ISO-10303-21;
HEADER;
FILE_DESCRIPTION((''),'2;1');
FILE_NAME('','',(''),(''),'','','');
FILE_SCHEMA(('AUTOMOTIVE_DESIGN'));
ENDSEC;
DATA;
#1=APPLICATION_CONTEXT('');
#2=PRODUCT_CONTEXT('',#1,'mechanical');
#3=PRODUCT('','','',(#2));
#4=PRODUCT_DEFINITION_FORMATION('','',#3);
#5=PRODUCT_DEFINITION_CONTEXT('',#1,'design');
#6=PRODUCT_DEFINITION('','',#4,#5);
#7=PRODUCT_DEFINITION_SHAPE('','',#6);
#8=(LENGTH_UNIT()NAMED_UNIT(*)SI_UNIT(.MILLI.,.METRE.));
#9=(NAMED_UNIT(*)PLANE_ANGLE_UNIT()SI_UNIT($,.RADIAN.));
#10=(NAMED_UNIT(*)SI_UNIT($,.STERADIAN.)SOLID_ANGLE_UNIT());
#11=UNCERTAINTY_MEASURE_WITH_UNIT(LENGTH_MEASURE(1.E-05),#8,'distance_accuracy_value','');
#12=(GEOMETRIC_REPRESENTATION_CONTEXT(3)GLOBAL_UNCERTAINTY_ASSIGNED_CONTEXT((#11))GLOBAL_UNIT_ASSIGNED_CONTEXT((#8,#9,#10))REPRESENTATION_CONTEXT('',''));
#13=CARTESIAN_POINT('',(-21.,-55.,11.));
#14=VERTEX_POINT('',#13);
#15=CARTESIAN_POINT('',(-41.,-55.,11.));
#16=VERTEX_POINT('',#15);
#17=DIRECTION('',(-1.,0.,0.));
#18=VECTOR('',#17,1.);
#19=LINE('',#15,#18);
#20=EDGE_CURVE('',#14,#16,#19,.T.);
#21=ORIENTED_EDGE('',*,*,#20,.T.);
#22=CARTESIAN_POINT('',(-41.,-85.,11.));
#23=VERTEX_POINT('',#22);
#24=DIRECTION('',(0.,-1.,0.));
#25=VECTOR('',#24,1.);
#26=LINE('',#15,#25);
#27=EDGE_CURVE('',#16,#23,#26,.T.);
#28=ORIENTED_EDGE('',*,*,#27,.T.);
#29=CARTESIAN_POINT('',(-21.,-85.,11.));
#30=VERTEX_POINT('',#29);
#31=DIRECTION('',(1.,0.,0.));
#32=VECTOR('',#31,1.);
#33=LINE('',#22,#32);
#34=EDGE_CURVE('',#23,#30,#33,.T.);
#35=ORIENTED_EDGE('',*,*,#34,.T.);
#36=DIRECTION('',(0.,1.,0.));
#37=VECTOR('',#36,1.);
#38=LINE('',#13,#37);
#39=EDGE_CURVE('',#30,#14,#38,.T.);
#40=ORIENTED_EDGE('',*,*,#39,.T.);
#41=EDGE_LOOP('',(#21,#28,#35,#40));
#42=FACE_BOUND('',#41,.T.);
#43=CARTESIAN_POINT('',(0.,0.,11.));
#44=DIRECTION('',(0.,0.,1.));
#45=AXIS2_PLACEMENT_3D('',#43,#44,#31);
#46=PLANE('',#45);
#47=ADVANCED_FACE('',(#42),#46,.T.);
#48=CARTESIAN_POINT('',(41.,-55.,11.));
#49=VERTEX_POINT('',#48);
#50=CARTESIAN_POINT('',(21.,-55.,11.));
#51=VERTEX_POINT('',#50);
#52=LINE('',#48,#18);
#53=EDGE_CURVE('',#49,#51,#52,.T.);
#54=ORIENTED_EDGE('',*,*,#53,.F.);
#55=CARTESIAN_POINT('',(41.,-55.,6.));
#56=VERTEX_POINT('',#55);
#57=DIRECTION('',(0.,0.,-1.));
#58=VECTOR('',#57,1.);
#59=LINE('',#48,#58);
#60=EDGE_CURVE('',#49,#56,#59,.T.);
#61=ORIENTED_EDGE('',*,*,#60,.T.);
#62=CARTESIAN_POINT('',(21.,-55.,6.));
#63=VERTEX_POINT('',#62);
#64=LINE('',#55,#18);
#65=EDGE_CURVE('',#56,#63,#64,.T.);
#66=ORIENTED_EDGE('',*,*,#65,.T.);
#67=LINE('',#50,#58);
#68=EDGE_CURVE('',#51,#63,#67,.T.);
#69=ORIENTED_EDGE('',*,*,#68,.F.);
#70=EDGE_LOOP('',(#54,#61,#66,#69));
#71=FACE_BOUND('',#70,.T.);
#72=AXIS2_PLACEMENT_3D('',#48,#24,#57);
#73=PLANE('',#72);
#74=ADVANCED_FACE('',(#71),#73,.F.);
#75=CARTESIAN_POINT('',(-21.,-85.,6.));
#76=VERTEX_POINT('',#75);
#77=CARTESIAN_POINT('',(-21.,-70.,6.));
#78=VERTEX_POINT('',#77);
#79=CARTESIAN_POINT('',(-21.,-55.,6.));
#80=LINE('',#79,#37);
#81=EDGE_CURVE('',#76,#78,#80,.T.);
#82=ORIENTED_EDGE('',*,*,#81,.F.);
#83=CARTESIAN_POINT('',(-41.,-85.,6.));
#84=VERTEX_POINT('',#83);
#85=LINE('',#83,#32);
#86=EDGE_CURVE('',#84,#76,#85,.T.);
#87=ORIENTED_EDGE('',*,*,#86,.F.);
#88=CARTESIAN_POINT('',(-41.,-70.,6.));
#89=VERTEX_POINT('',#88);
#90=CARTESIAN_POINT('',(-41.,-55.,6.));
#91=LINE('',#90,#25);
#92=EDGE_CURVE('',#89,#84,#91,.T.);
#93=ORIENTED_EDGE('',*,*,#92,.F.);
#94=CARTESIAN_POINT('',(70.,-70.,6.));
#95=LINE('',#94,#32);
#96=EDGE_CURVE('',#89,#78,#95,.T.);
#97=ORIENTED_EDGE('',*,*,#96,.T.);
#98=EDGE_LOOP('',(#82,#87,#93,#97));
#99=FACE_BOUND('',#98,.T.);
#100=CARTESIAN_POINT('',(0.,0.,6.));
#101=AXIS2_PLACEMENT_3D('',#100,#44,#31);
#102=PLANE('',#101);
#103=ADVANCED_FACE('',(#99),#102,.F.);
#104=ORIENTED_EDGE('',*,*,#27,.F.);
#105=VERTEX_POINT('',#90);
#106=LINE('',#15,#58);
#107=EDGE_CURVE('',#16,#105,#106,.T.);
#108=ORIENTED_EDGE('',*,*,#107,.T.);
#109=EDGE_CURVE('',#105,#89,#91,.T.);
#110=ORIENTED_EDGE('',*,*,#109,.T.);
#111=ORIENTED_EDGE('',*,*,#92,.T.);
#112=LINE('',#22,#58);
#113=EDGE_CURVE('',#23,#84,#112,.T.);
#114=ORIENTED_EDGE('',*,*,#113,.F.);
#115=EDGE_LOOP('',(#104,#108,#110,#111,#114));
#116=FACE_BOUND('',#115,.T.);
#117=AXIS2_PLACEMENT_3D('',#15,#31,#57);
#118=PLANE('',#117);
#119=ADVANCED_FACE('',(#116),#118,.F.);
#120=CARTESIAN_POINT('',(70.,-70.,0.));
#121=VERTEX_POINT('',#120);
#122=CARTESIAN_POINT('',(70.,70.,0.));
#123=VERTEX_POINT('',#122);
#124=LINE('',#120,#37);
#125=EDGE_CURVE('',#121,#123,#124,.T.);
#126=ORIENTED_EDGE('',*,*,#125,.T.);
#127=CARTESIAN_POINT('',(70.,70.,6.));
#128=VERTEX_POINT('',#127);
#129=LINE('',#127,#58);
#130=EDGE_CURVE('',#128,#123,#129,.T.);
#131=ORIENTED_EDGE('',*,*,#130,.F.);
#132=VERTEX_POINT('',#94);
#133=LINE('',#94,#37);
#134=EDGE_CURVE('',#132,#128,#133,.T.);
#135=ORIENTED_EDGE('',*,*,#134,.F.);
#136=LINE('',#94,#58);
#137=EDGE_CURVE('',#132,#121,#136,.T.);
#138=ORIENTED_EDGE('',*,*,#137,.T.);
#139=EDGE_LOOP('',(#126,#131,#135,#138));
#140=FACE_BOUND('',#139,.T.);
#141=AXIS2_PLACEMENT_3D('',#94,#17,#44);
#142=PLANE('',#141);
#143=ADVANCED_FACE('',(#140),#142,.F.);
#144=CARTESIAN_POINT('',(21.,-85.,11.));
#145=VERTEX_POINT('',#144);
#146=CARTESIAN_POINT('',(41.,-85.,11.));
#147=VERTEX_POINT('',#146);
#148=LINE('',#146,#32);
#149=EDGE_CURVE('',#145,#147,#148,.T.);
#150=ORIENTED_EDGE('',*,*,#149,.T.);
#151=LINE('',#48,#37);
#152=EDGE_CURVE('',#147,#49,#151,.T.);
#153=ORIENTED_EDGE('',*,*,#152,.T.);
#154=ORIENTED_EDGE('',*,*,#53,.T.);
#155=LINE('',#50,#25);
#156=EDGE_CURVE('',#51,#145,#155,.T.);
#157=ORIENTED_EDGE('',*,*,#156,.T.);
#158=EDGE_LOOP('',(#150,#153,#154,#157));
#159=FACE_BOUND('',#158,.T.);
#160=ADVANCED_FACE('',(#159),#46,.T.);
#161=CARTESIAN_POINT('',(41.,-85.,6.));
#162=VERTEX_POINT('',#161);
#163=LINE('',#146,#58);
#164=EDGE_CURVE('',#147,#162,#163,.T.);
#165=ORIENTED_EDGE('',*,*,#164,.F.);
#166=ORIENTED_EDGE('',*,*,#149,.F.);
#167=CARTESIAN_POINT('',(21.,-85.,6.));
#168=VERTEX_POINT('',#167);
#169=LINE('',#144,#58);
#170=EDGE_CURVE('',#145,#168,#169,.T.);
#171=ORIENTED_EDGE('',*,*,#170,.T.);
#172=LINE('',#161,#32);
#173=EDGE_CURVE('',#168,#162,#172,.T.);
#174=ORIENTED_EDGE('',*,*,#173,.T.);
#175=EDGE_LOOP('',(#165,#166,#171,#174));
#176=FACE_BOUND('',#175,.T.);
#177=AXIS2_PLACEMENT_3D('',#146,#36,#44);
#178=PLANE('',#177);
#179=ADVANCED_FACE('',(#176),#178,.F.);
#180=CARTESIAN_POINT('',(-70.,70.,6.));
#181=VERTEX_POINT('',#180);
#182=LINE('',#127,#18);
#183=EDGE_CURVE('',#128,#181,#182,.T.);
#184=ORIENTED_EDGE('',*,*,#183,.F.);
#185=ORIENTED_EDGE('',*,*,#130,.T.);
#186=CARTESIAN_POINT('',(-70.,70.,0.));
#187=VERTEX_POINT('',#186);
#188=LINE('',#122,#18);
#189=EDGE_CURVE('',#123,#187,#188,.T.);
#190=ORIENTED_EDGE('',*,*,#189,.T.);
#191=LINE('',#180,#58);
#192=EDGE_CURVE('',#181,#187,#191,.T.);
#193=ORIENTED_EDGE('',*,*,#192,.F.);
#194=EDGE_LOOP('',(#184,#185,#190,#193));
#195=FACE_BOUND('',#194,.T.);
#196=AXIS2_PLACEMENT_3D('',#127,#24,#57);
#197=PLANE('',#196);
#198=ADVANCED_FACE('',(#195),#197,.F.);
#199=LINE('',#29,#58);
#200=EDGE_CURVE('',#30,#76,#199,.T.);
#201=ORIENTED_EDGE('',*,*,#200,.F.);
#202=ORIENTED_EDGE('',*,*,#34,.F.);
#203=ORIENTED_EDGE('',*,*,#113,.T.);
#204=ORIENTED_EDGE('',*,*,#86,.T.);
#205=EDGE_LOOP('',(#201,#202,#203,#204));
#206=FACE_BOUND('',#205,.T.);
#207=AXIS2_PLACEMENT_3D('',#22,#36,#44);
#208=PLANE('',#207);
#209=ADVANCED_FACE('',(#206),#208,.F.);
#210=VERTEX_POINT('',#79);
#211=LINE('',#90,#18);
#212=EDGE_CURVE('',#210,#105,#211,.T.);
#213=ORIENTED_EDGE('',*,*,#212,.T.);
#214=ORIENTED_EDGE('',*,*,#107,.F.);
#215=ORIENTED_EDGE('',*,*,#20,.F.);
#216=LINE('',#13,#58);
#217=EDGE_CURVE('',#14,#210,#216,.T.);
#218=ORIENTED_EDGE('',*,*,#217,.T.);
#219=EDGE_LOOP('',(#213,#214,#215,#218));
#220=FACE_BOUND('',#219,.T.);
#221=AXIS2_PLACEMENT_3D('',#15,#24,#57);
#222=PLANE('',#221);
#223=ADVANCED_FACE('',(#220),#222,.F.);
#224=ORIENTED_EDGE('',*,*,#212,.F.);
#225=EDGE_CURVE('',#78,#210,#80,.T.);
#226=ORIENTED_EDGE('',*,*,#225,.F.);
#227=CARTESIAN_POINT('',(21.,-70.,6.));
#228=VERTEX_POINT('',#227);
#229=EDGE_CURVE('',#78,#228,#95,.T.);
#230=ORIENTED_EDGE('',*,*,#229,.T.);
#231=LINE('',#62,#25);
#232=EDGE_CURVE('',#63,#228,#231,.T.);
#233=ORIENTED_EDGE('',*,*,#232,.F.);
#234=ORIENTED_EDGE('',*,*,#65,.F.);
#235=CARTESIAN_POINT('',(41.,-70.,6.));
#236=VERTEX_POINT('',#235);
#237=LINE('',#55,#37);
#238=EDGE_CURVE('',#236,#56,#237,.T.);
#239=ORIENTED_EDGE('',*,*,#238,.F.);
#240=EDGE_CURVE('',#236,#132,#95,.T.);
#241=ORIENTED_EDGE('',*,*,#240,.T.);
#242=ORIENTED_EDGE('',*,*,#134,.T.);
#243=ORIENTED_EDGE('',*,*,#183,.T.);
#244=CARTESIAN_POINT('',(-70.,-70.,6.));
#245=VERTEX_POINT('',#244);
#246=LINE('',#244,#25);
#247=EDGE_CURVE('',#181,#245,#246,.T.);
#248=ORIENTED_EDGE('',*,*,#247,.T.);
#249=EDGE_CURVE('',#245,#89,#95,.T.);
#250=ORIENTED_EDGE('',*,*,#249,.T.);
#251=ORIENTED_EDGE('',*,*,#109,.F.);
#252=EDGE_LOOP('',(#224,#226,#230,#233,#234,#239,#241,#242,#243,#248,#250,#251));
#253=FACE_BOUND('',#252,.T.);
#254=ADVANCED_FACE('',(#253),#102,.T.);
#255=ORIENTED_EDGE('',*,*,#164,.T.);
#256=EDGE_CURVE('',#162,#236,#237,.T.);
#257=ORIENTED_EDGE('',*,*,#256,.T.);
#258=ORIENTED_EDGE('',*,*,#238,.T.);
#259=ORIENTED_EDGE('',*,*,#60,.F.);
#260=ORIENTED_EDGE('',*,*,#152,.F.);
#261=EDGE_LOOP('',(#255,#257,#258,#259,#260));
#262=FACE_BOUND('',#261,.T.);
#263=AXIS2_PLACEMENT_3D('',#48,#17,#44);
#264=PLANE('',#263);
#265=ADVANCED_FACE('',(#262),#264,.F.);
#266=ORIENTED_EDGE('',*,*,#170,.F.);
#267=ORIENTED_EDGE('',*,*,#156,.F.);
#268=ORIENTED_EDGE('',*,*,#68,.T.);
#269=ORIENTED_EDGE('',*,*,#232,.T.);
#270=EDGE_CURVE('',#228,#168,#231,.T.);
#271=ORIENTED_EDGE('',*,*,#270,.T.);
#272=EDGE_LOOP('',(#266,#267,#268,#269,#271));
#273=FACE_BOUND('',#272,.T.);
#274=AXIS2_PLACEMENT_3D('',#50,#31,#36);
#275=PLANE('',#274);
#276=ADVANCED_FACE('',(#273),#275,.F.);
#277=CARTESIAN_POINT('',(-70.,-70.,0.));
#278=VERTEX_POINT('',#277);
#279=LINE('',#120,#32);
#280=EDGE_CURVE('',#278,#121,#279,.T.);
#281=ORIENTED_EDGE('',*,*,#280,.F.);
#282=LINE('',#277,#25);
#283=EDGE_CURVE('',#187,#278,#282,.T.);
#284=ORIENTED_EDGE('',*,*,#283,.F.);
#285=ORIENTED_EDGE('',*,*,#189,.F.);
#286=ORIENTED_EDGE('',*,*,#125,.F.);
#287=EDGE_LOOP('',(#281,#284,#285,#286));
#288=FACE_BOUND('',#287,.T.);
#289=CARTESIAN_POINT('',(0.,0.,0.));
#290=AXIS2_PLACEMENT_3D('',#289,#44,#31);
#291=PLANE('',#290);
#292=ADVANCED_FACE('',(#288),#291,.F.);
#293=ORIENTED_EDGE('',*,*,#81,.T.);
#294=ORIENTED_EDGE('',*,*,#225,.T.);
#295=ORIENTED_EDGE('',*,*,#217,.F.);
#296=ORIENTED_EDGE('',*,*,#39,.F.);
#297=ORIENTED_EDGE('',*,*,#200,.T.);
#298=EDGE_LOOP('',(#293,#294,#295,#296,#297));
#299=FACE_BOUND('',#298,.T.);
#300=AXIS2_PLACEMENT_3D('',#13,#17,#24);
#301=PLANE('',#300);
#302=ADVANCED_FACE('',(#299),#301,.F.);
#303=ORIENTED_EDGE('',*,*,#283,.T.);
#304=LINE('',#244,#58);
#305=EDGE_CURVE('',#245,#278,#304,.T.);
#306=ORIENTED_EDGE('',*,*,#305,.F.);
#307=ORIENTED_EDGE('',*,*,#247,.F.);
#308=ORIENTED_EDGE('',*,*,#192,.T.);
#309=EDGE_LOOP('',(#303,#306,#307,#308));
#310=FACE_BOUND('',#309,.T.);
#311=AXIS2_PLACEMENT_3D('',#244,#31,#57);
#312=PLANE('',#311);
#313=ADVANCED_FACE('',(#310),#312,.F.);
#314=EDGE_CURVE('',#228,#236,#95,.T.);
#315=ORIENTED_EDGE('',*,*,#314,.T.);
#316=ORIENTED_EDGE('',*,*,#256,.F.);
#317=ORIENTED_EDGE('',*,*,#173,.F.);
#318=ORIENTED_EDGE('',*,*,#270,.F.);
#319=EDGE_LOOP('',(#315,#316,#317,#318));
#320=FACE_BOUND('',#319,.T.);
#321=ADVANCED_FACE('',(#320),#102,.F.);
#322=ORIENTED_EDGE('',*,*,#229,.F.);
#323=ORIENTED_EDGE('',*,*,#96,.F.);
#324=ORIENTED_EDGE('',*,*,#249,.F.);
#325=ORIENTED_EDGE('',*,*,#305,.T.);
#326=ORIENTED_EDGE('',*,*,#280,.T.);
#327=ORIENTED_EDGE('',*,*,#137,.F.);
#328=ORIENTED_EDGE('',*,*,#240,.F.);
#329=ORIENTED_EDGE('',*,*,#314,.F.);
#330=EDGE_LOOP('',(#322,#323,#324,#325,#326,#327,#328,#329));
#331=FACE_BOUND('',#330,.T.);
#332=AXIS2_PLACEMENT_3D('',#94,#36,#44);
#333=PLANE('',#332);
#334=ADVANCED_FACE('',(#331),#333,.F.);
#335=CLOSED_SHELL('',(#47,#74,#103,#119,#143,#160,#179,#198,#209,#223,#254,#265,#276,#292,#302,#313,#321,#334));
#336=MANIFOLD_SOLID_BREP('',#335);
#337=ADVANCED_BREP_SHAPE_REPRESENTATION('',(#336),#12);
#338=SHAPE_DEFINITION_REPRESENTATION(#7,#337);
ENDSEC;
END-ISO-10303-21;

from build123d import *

# Parameters (mm, degrees)
SKETCH1_W           = 140
SKETCH1_H           = 140
BOSS_EXTRUDE1_DEPTH = 6
SKETCH2_W           = 20
SKETCH2_H           = 30
BOSS_EXTRUDE2_DEPTH = 5


with BuildPart() as part:
    # Sketch1 → Boss-Extrude1 (new body)
    with BuildSketch(Plane.XY):
        Rectangle(SKETCH1_W, SKETCH1_H)
    extrude(amount=BOSS_EXTRUDE1_DEPTH)

    # Sketch2 → Boss-Extrude2 (add)
    with BuildSketch(Plane.XY.offset(6)):
        with Locations((-31, -70)):
            Rectangle(SKETCH2_W, SKETCH2_H)
        with Locations((31, -70)):
            Rectangle(SKETCH2_W, SKETCH2_H)
    extrude(amount=BOSS_EXTRUDE2_DEPTH)


solid = part.part
